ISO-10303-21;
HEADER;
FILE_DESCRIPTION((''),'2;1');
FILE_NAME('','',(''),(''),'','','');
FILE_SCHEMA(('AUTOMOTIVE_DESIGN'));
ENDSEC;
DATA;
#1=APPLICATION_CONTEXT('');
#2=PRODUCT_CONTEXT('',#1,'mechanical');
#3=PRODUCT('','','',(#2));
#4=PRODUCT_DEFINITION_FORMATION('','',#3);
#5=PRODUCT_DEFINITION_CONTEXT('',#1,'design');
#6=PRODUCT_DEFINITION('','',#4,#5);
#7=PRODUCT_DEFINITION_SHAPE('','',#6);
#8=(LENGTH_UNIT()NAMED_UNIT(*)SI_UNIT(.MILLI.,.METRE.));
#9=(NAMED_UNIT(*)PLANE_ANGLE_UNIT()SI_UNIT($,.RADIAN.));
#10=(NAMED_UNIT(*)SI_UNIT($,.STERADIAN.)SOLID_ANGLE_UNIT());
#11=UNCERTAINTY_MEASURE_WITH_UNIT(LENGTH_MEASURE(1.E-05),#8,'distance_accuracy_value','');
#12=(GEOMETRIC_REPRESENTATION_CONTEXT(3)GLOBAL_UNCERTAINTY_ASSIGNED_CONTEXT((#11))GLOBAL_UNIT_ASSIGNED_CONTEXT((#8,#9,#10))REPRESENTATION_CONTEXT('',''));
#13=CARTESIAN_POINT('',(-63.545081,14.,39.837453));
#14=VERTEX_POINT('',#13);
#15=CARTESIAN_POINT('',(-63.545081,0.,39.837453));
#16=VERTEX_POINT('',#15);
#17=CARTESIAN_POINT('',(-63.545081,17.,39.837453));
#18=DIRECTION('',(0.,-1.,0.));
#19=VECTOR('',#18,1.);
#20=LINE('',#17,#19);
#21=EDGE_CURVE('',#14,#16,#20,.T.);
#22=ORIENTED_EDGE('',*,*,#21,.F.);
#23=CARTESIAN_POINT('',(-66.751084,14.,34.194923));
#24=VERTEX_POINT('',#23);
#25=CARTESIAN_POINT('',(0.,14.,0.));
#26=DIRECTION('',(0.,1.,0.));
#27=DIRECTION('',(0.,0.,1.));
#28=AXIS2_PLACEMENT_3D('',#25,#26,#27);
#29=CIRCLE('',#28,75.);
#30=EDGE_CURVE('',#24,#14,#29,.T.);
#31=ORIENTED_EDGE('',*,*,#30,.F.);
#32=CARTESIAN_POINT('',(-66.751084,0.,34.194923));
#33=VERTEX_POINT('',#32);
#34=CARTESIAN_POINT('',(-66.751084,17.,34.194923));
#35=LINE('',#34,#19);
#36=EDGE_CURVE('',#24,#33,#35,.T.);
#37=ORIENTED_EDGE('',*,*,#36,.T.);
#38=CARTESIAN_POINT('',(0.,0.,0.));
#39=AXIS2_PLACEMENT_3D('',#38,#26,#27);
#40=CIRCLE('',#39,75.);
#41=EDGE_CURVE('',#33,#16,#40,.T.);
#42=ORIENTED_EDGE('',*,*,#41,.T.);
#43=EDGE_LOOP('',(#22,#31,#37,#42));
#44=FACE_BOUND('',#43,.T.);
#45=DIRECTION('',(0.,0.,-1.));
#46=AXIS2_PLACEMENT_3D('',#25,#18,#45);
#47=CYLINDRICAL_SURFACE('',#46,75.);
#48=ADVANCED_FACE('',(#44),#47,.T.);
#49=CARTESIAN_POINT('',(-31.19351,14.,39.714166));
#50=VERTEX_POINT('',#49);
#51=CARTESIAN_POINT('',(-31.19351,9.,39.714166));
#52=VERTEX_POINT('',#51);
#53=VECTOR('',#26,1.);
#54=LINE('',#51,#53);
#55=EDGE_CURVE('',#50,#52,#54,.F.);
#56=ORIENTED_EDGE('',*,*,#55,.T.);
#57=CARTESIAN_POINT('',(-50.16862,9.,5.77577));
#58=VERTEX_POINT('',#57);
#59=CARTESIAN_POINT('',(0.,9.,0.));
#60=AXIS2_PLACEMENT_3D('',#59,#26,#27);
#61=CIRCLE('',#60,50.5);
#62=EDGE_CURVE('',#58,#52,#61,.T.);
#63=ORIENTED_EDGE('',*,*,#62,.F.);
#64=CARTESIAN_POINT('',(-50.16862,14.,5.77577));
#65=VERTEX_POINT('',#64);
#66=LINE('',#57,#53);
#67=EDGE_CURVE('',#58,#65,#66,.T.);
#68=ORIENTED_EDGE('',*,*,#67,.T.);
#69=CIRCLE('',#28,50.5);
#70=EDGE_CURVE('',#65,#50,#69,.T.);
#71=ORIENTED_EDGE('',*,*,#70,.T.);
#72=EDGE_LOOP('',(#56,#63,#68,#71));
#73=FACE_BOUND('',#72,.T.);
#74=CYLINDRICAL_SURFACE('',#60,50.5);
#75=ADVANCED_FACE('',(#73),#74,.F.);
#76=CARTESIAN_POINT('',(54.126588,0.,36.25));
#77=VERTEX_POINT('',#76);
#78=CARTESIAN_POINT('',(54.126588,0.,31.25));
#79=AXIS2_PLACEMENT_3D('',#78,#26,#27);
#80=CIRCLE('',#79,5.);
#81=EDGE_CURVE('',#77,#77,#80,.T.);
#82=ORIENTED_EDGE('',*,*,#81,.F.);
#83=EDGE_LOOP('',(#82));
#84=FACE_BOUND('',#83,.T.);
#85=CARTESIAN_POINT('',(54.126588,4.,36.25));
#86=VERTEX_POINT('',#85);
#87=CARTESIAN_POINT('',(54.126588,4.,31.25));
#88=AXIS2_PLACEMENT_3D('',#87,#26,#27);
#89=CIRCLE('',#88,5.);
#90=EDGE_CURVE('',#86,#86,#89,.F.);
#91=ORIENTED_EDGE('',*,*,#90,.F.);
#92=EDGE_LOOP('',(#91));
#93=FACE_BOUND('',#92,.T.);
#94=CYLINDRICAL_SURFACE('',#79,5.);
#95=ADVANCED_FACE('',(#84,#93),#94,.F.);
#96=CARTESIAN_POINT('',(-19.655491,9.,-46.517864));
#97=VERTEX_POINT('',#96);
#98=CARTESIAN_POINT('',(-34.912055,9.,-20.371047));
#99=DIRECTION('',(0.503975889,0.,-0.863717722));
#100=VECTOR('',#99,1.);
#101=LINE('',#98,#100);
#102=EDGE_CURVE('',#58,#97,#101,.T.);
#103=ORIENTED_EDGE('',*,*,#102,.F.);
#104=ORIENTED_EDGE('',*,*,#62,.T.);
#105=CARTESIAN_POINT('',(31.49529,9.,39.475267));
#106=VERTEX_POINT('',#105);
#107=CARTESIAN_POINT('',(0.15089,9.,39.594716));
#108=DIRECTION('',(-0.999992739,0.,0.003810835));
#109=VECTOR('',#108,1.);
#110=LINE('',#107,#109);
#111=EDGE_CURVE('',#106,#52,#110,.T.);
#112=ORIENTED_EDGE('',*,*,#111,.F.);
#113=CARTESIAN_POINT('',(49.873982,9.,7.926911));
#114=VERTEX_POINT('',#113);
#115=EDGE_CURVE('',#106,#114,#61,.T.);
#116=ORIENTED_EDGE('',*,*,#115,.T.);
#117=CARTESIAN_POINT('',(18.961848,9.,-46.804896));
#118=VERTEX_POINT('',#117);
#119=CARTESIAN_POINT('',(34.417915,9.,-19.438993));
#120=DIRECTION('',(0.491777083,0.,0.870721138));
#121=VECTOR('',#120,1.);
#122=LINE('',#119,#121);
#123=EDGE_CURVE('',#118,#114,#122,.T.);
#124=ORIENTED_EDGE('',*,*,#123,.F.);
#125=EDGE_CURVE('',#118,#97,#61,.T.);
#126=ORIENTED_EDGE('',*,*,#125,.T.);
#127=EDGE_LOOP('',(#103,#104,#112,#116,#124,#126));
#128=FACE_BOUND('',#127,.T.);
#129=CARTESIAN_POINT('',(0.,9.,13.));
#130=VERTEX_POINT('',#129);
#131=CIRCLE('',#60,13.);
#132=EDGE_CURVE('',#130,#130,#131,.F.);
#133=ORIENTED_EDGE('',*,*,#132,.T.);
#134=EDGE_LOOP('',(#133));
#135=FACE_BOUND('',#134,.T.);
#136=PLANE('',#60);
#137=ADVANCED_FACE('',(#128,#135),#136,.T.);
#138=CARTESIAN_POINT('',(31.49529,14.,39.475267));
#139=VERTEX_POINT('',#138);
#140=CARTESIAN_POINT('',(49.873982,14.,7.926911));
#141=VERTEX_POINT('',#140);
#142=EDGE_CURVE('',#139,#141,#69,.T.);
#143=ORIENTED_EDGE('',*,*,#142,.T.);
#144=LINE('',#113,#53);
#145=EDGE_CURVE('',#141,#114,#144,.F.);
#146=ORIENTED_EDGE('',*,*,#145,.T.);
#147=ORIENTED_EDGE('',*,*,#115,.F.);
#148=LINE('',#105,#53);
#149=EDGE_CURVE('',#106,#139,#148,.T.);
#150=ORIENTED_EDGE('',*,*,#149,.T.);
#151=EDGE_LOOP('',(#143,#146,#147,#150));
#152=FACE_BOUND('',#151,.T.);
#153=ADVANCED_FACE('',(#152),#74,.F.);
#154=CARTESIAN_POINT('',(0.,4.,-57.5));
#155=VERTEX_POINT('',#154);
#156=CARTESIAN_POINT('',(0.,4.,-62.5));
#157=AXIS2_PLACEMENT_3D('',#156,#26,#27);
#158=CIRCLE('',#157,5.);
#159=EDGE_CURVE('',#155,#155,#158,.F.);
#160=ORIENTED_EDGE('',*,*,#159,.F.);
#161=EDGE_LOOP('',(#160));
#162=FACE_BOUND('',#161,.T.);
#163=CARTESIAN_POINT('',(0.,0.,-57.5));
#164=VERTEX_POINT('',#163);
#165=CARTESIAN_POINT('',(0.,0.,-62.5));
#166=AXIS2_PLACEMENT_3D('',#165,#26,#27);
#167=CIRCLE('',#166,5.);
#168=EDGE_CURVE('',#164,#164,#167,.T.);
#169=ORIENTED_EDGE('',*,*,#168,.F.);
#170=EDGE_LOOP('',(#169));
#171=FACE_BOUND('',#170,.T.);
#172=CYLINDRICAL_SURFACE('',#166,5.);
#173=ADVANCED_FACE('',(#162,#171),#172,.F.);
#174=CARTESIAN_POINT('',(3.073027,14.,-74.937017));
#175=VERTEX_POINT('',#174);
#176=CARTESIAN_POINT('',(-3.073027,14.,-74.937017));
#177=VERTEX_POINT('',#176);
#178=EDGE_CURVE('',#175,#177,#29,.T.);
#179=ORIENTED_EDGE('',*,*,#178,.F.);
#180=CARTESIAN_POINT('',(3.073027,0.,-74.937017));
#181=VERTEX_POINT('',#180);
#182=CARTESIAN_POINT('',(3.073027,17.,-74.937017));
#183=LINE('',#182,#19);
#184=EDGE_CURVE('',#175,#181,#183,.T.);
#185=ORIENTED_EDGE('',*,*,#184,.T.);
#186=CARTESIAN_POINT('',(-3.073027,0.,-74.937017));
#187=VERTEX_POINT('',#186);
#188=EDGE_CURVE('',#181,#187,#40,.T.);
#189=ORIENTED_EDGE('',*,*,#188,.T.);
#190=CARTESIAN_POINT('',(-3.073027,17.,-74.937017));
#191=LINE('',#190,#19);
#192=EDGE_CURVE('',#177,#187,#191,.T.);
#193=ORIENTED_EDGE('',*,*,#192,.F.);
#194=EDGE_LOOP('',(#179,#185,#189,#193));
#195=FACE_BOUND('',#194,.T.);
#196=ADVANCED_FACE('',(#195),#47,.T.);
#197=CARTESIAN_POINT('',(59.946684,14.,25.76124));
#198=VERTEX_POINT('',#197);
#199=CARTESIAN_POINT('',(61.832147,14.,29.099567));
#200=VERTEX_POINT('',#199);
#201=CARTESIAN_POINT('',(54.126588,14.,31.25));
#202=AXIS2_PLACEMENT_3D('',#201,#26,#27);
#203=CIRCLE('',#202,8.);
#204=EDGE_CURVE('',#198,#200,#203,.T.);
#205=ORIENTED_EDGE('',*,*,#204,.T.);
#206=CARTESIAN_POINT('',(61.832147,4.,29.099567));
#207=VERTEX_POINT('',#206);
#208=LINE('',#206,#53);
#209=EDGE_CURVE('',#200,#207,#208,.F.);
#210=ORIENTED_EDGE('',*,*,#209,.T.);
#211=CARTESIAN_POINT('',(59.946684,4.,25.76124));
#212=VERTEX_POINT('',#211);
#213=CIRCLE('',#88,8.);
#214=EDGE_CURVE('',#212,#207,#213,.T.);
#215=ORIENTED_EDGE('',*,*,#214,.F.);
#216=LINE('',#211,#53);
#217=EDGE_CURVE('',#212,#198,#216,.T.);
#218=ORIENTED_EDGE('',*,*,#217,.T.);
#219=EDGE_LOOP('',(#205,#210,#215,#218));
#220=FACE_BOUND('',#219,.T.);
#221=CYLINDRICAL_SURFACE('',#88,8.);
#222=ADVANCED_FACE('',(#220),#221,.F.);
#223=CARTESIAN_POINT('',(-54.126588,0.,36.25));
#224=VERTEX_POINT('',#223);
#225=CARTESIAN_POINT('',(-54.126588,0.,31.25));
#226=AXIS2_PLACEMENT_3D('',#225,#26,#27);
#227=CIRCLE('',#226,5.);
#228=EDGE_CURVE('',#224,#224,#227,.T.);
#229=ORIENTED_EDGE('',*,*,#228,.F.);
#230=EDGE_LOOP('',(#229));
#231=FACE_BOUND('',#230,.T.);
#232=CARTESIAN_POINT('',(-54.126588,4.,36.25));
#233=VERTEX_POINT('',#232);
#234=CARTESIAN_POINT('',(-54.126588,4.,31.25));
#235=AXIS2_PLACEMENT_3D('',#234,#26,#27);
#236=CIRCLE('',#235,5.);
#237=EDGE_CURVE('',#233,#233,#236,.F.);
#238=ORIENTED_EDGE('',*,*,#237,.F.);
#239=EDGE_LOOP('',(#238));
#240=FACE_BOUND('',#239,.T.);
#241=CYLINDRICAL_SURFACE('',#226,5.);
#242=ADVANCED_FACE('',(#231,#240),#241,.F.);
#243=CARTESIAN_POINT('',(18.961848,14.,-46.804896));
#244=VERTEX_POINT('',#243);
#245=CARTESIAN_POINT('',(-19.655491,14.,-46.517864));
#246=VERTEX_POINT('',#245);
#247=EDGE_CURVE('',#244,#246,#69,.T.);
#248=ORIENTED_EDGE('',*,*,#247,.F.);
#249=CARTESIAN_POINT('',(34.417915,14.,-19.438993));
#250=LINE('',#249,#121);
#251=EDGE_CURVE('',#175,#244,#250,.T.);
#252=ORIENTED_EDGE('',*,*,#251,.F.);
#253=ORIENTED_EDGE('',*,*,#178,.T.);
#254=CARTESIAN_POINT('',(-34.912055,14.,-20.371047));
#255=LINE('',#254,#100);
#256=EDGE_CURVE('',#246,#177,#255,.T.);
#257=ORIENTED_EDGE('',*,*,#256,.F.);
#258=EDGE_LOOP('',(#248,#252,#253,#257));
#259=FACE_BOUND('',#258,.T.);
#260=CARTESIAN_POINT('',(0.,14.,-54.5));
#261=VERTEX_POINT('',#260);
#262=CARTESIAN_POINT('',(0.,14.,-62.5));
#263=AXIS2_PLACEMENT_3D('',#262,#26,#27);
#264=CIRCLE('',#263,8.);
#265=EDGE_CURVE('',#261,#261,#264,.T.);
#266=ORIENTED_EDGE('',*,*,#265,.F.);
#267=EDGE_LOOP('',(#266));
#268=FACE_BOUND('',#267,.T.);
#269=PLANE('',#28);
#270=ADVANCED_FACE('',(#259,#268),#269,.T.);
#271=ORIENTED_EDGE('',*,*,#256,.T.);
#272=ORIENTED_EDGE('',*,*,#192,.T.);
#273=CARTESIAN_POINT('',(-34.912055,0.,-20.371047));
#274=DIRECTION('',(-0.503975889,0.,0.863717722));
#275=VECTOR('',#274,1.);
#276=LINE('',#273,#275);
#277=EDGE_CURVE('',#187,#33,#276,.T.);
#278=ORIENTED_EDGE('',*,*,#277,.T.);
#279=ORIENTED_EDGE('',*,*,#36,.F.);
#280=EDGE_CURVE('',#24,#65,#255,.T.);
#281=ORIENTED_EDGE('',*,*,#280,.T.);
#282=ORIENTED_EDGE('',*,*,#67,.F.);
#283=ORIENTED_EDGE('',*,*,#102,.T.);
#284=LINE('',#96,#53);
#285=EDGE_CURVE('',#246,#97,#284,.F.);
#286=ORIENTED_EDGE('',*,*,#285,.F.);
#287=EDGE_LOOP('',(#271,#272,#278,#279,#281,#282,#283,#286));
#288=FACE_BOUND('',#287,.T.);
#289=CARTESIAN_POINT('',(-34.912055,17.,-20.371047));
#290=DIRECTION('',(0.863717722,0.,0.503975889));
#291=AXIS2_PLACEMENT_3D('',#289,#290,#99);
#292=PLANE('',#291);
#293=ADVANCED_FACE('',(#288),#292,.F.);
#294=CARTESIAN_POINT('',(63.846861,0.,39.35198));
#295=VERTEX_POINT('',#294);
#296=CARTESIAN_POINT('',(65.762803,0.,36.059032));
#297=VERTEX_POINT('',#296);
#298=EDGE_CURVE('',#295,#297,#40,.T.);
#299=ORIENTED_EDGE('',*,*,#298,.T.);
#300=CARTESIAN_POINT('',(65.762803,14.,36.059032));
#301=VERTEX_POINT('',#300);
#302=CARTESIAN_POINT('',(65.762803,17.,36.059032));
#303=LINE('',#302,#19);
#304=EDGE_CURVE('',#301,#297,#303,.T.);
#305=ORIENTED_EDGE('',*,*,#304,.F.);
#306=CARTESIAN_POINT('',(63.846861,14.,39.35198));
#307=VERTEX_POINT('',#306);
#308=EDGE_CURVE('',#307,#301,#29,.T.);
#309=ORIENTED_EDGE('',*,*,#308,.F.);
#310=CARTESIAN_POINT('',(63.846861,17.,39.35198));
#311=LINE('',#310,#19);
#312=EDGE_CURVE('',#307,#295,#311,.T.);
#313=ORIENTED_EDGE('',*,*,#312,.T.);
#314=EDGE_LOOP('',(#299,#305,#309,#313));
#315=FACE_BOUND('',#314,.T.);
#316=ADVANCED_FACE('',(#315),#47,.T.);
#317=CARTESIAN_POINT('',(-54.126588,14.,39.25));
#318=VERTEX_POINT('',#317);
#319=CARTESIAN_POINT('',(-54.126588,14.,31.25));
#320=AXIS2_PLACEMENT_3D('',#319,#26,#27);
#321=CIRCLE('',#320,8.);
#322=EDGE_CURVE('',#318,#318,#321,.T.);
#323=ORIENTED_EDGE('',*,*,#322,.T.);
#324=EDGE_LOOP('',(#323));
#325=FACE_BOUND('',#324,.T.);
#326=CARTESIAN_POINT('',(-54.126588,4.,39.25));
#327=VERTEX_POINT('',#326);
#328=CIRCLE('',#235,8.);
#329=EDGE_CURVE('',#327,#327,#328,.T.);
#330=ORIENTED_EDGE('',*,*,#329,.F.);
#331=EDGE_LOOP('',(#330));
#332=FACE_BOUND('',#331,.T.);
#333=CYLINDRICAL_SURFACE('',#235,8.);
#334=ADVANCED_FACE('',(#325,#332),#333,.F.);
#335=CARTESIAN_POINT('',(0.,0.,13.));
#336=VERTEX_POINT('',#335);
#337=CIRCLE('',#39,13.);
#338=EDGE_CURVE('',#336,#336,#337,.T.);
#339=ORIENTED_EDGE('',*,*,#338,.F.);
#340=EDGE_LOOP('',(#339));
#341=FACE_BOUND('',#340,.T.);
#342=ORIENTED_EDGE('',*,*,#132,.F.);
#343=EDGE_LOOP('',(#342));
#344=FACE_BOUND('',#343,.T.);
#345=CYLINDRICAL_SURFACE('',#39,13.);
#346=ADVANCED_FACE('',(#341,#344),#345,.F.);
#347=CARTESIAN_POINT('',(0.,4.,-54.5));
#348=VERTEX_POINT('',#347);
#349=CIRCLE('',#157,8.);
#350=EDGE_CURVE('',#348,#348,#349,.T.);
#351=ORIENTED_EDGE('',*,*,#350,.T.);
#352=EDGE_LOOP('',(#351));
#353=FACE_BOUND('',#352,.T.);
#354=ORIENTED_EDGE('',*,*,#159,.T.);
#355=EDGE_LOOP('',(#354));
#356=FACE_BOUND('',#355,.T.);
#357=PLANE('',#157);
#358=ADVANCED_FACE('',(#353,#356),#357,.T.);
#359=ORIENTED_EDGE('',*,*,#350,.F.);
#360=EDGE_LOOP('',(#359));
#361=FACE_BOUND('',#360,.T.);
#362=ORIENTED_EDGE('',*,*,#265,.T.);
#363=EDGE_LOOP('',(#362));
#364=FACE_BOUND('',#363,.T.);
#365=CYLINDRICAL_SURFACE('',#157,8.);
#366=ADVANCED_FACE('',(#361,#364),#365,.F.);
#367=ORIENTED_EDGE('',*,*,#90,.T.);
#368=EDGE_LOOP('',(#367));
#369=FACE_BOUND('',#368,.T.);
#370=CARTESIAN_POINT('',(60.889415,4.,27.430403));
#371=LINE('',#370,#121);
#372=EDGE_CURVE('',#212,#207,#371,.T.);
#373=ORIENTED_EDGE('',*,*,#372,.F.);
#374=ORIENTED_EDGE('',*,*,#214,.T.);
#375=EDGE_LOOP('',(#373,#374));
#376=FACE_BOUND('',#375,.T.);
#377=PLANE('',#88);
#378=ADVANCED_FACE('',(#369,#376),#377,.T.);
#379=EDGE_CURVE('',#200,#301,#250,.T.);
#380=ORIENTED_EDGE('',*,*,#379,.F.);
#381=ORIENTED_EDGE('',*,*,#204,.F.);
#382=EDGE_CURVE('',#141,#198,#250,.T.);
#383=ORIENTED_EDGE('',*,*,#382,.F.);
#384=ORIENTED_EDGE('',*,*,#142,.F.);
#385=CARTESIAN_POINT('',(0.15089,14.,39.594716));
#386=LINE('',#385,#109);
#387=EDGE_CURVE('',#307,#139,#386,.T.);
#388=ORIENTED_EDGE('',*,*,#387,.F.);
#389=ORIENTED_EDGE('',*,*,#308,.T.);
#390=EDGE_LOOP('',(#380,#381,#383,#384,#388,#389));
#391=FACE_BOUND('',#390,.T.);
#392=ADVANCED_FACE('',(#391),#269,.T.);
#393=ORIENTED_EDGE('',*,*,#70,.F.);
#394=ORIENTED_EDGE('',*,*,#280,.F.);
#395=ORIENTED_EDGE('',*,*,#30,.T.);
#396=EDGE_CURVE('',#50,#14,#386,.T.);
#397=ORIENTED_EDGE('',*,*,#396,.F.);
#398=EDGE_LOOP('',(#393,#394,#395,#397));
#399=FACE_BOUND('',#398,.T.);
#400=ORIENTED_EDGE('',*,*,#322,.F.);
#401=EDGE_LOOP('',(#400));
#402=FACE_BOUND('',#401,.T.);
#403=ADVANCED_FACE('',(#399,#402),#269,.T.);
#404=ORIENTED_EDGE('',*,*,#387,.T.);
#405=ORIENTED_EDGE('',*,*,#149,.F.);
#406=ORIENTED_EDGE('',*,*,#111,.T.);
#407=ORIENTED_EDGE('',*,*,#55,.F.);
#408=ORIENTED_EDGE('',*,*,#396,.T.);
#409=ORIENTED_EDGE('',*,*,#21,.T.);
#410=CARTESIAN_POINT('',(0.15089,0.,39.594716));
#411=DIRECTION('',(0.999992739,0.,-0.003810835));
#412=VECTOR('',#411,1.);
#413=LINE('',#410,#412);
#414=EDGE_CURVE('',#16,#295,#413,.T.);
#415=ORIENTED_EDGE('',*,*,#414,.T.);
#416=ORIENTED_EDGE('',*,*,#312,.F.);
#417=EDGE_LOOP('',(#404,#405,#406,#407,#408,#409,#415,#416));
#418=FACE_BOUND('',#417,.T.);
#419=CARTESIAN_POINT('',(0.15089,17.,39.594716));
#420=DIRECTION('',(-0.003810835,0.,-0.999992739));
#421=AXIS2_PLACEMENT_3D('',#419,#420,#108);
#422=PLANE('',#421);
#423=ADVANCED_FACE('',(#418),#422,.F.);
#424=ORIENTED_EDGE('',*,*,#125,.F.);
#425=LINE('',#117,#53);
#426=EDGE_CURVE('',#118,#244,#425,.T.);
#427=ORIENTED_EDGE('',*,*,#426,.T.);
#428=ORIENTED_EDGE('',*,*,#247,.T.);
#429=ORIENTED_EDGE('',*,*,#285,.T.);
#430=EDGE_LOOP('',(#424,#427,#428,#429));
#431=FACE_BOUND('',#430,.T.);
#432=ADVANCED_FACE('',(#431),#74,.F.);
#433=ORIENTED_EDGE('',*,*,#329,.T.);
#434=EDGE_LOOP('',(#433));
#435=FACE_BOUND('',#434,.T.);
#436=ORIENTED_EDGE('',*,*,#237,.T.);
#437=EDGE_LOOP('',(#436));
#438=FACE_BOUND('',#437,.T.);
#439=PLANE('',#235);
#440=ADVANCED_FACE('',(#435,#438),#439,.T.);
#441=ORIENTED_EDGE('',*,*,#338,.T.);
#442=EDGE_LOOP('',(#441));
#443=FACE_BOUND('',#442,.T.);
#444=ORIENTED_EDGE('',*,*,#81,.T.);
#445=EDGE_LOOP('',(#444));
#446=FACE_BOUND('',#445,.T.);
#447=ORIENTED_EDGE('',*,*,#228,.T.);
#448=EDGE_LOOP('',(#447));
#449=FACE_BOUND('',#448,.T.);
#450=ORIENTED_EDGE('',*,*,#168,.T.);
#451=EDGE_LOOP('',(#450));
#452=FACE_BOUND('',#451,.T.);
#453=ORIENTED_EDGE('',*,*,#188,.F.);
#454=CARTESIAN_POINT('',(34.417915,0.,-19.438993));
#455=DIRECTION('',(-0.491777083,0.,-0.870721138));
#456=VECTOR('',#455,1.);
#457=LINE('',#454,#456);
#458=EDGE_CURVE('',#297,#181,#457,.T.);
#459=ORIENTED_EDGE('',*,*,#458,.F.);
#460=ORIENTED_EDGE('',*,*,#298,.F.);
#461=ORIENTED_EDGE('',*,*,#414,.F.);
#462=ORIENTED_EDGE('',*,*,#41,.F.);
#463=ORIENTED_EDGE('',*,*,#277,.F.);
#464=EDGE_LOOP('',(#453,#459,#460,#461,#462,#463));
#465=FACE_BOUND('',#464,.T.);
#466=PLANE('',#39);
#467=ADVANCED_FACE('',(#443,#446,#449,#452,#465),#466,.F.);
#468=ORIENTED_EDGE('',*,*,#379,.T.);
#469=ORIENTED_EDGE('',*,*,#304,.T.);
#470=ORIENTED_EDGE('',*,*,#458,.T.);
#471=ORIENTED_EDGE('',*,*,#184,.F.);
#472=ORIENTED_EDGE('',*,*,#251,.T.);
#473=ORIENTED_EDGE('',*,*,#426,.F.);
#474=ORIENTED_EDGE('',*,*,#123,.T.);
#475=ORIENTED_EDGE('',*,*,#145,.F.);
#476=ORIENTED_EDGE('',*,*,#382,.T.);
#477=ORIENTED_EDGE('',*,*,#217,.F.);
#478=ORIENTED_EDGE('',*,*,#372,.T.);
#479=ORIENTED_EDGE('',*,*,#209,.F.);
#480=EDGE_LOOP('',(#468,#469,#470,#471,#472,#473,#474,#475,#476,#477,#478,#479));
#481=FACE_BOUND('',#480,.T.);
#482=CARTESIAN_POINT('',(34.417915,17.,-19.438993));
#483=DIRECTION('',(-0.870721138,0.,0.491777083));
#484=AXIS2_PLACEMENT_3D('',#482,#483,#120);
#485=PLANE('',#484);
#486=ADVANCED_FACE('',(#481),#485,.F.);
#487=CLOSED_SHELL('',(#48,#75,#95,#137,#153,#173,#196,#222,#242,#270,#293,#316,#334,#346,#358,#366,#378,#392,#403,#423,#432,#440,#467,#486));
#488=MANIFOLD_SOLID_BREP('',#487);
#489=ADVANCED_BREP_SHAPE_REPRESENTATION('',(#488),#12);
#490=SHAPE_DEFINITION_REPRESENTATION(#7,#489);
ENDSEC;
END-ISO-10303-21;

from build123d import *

# Parameters (mm, degrees)
SKETCH1_R           = 75
BOSS_EXTRUDE1_DEPTH = 14
SKETCH4_R           = 5
CUT_EXTRUDE4_DEPTH  = 107.98598039
SKETCH2_R           = 13
CUT_EXTRUDE5_DEPTH  = 107.98598039
SKETCH5_R           = 50.5
CUT_EXTRUDE6_DEPTH  = 5
SKETCH6_R           = 8
CUT_EXTRUDE7_DEPTH  = 10
CUT_EXTRUDE8_DEPTH  = 17


with BuildPart() as part:
    # Sketch1 → Boss-Extrude1 (new body)
    with BuildSketch(Plane(origin=(0, 0, 0), x_dir=(1, 0, 0), z_dir=(0, 1, 0))):
        with Locations(Location((0, 0, 0), (0, 0, 270))):
            Circle(SKETCH1_R)
    extrude(amount=BOSS_EXTRUDE1_DEPTH)

    # Sketch4 → Cut-Extrude4 (cut, through all)
    with BuildSketch(Plane(origin=(0, 14, 0), x_dir=(1, 0, 0), z_dir=(0, 1, 0))):
        with Locations(Location((0, 62.5, 0), (0, 0, 270))):
            Circle(SKETCH4_R)
        with Locations(Location((-54.126587737, -31.25, 0), (0, 0, 270))):
            Circle(SKETCH4_R)
        with Locations(Location((54.126587737, -31.25, 0), (0, 0, 270))):
            Circle(SKETCH4_R)
    extrude(amount=-CUT_EXTRUDE4_DEPTH, mode=Mode.SUBTRACT)

    # Sketch2 → Cut-Extrude5 (cut, through all)
    with BuildSketch(Plane(origin=(0, 14, 0), x_dir=(1, 0, 0), z_dir=(0, 1, 0))):
        with Locations(Location((0, 0, 0), (0, 0, 270))):
            Circle(SKETCH2_R)
    extrude(amount=-CUT_EXTRUDE5_DEPTH, mode=Mode.SUBTRACT)

    # Sketch5 → Cut-Extrude6 (cut)
    with BuildSketch(Plane(origin=(0, 14, 0), x_dir=(-1, 0, 0), z_dir=(0, 1, 0))):
        with Locations(Location((0, 0, 0), (0, 0, 90))):
            Circle(SKETCH5_R)
    extrude(amount=-CUT_EXTRUDE6_DEPTH, mode=Mode.SUBTRACT)

    # Sketch6 → Cut-Extrude7 (cut)
    with BuildSketch(Plane(origin=(0, 14, 0), x_dir=(1, 0, 0), z_dir=(0, 1, 0))):
        with Locations(Location((-54.126587737, -31.25, 0), (0, 0, 270))):
            Circle(SKETCH6_R)
        with Locations(Location((0, 62.5, 0), (0, 0, 270))):
            Circle(SKETCH6_R)
        with Locations(Location((54.126587737, -31.25, 0), (0, 0, 270))):
            Circle(SKETCH6_R)
    extrude(amount=-CUT_EXTRUDE7_DEPTH, mode=Mode.SUBTRACT)

    # Sketch7 → Cut-Extrude8 (cut)
    with BuildSketch(Plane(origin=(0, 0, 0), x_dir=(-1, 0, 0), z_dir=(0, -1, 0))):
        with BuildLine():
            ThreePointArc((75, 0), (54.10858072, 51.935166241), (3.073026868, 74.937016927))
            Line((3.073026868, 74.937016927), (66.751084117, -34.194923151))
            ThreePointArc((66.751084117, -34.194923151), (72.908611661, -17.587903389), (75, 0))
        make_face()
        with BuildLine():
            ThreePointArc((-63.846861253, -39.351979723), (-0.285812655, -74.999455406), (63.545081168, -39.837452972))
            Line((63.545081168, -39.837452972), (-63.846861253, -39.351979723))
        make_face()
        with BuildLine():
            Line((-65.762802754, -36.059031794), (-3.073026868, 74.937016927))
            ThreePointArc((-3.073026868, 74.937016927), (-65.304085384, 36.883281201), (-65.762802754, -36.059031794))
        make_face()
    extrude(amount=-CUT_EXTRUDE8_DEPTH, mode=Mode.SUBTRACT)


solid = part.part
